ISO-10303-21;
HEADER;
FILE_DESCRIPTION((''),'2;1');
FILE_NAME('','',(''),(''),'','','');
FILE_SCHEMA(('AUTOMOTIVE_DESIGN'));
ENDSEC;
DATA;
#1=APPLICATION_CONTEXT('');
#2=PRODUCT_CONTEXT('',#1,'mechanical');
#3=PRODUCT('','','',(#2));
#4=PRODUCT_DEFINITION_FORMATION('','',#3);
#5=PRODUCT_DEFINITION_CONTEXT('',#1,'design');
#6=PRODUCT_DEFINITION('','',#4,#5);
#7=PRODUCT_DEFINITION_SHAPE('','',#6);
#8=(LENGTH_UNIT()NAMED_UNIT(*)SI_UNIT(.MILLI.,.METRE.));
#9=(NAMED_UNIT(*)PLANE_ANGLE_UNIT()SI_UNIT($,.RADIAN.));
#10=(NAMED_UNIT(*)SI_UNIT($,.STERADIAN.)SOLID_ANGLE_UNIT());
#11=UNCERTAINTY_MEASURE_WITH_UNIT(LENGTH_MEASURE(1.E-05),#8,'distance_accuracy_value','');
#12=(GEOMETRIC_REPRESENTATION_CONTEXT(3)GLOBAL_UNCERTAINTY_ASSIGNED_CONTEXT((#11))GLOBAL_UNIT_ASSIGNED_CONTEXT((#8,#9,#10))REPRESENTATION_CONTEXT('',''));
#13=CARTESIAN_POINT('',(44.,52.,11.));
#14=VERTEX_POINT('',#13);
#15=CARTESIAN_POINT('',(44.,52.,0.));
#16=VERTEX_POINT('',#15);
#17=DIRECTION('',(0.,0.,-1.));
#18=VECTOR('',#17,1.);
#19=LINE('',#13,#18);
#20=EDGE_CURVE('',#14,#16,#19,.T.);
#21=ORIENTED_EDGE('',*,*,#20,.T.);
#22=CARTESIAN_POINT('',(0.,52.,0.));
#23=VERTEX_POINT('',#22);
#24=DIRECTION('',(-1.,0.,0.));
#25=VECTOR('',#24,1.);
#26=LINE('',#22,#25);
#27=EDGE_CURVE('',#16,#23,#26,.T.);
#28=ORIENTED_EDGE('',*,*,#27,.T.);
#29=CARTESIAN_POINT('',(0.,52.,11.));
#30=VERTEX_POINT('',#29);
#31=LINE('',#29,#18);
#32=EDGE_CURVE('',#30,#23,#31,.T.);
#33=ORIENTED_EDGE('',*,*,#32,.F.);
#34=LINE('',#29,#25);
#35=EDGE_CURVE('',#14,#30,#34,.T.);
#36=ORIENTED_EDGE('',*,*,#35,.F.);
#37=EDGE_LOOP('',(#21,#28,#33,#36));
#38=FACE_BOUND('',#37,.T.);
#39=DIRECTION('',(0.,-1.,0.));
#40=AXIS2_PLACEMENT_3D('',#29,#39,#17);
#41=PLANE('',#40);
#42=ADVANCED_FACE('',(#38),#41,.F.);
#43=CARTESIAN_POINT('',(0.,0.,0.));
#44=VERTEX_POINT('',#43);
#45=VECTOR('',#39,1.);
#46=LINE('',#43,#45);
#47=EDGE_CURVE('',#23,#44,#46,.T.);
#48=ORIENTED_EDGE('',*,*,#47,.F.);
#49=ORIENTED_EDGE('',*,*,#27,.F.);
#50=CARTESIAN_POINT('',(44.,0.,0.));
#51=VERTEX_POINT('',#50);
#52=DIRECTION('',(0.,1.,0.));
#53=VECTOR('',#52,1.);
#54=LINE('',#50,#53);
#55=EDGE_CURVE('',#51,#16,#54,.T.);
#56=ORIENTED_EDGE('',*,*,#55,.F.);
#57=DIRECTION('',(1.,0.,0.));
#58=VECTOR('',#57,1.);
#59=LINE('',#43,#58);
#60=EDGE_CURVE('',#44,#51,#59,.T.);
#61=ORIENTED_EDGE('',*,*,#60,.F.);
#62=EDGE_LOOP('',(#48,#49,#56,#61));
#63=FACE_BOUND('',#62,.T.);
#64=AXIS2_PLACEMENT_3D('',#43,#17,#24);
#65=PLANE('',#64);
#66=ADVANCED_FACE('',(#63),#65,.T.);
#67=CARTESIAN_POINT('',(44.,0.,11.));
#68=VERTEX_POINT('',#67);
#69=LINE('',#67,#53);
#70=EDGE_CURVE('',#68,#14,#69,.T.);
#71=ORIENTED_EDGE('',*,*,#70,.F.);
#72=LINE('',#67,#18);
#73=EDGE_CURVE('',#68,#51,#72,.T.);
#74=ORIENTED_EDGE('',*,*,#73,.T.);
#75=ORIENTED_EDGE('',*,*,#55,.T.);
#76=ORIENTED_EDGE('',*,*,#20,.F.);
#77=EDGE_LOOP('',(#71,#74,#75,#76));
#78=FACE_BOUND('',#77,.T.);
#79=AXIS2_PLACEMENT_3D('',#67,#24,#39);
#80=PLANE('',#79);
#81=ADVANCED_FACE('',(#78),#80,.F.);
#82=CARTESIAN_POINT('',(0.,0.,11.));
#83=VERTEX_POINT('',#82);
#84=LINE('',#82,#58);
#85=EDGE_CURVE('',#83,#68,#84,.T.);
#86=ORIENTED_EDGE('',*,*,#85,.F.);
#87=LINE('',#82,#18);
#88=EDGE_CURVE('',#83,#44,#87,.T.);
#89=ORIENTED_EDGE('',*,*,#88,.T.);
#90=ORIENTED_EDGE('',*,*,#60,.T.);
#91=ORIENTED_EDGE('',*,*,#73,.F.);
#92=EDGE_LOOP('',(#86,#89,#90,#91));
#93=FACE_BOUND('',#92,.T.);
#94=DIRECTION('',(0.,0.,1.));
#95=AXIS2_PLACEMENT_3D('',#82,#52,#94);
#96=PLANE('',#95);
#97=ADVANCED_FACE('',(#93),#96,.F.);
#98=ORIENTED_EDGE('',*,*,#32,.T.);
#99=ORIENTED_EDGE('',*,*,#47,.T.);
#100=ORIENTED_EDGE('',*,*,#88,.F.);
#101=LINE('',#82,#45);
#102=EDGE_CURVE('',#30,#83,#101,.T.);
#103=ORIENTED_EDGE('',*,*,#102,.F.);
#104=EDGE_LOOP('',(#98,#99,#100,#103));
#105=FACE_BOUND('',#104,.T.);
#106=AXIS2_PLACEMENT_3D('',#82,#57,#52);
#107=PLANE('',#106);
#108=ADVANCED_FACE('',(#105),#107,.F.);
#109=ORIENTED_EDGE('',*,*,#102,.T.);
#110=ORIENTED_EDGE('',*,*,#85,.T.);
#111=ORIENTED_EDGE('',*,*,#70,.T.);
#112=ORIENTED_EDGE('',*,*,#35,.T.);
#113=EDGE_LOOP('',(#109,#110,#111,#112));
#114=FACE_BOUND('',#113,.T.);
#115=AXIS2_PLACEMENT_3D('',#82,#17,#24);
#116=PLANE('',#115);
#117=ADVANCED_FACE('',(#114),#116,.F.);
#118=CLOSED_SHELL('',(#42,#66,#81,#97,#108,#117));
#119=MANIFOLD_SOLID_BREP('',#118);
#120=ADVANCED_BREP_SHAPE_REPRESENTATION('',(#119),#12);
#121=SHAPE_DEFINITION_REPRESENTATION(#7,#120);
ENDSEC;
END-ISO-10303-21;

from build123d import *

# Parameters (mm, degrees)
SCHIZZO1_W                   = 44
SCHIZZO1_H                   = 52
ESTRUSIONE_ESTRUSIONE1_DEPTH = 11


with BuildPart() as part:
    # Schizzo1 → Estrusione-Estrusione1 (new body)
    with BuildSketch(Plane.XY):
        with Locations((22, 26)):
            Rectangle(SCHIZZO1_W, SCHIZZO1_H)
    extrude(amount=ESTRUSIONE_ESTRUSIONE1_DEPTH)


solid = part.part
